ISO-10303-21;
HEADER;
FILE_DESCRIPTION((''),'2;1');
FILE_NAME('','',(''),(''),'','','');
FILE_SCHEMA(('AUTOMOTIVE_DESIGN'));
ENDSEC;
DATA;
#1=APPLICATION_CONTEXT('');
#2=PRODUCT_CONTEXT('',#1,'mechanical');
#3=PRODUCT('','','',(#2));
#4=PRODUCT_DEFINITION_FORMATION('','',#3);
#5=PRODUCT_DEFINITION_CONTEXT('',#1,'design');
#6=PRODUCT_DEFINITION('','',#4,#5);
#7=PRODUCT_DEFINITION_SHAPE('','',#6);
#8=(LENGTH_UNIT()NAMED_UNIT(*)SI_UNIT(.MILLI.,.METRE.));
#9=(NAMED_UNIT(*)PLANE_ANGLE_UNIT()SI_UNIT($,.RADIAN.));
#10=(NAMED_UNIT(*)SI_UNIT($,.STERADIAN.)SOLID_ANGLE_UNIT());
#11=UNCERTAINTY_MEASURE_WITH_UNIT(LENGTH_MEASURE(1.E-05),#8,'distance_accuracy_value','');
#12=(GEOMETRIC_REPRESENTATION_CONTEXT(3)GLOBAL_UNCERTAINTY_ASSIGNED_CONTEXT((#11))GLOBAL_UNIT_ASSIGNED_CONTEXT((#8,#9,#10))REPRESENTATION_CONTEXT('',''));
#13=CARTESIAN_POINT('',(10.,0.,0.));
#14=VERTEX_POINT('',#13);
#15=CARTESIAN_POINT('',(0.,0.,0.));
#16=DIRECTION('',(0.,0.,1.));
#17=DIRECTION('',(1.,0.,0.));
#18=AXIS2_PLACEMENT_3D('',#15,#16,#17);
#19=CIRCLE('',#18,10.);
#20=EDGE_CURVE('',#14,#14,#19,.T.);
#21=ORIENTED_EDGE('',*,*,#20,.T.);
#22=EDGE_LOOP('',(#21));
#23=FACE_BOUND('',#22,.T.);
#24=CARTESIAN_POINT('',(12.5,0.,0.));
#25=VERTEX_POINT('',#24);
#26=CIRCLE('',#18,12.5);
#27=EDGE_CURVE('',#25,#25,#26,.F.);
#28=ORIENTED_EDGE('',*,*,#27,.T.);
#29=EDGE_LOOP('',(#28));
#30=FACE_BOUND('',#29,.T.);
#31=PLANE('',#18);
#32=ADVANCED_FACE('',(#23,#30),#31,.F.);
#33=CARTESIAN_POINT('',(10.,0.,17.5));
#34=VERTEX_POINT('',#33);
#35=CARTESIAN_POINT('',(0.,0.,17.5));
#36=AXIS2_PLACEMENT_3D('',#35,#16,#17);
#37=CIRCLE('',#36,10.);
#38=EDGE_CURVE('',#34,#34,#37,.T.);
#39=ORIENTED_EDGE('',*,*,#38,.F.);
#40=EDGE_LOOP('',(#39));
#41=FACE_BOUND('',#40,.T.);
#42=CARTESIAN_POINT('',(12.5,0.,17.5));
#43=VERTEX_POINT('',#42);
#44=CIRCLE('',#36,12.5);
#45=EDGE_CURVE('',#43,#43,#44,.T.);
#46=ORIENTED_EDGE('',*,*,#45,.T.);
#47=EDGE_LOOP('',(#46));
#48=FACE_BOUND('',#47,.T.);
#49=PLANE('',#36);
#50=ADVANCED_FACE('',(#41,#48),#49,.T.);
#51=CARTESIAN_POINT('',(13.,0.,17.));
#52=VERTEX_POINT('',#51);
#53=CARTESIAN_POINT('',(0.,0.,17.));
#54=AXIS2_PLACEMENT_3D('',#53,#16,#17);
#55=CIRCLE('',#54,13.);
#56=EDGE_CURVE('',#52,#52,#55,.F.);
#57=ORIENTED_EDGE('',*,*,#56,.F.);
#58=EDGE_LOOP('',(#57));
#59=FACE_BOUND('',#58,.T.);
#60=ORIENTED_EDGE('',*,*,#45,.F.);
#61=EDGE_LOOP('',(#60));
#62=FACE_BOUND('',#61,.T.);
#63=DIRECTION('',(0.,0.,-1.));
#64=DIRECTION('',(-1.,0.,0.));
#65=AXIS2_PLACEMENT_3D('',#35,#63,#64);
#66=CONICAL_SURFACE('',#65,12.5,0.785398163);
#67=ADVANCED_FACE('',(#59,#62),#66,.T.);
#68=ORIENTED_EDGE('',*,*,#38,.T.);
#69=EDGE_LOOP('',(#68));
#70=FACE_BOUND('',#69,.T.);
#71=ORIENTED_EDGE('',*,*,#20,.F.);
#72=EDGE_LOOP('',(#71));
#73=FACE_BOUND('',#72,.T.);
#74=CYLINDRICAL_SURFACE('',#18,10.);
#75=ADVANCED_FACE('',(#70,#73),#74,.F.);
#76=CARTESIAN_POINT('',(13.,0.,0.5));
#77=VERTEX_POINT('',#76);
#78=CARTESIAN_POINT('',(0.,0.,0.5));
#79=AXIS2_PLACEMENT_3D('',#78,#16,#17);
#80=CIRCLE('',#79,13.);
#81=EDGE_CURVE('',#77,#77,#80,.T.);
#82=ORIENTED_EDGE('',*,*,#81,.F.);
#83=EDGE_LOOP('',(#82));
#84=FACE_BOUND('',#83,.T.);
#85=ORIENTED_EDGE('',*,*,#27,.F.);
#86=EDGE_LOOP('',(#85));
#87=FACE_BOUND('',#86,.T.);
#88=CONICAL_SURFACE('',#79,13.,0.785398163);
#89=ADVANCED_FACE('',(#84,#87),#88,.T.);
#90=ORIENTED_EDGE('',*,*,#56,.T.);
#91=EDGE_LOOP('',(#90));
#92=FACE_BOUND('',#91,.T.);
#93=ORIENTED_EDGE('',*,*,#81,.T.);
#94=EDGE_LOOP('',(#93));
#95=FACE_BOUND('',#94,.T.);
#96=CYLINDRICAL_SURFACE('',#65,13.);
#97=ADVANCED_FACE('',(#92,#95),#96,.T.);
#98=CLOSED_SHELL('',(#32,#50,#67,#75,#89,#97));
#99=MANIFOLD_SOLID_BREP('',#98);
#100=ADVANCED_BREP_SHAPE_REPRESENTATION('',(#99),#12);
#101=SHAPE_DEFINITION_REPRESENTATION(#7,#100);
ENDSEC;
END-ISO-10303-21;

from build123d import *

# Parameters (mm, degrees)
SKETCH_1_R          = 13
EXTRUDE_1_DEPTH     = 17.5
SKETCH_2_R          = 10
CUT_EXTRUDE_1_DEPTH = 17.5
CHAMFER_1_SIZE      = 0.5


with BuildPart() as part:
    # 草图1 → 凸台-拉伸1 (new body)
    with BuildSketch(Plane.XY):
        Circle(SKETCH_1_R)
    extrude(amount=EXTRUDE_1_DEPTH)

    # 草图2 → 切除-拉伸1 (cut)
    with BuildSketch(Plane.XY.offset(17.5)):
        Circle(SKETCH_2_R)
    extrude(amount=-CUT_EXTRUDE_1_DEPTH, mode=Mode.SUBTRACT)

    # 倒角1
    chamfer_1_edges = [part.edges().sort_by_distance(p)[0] for p in [
        (-13, 0, 0),
        (-13, 0, 17.5),
    ]]
    chamfer(chamfer_1_edges, length=CHAMFER_1_SIZE)


solid = part.part
